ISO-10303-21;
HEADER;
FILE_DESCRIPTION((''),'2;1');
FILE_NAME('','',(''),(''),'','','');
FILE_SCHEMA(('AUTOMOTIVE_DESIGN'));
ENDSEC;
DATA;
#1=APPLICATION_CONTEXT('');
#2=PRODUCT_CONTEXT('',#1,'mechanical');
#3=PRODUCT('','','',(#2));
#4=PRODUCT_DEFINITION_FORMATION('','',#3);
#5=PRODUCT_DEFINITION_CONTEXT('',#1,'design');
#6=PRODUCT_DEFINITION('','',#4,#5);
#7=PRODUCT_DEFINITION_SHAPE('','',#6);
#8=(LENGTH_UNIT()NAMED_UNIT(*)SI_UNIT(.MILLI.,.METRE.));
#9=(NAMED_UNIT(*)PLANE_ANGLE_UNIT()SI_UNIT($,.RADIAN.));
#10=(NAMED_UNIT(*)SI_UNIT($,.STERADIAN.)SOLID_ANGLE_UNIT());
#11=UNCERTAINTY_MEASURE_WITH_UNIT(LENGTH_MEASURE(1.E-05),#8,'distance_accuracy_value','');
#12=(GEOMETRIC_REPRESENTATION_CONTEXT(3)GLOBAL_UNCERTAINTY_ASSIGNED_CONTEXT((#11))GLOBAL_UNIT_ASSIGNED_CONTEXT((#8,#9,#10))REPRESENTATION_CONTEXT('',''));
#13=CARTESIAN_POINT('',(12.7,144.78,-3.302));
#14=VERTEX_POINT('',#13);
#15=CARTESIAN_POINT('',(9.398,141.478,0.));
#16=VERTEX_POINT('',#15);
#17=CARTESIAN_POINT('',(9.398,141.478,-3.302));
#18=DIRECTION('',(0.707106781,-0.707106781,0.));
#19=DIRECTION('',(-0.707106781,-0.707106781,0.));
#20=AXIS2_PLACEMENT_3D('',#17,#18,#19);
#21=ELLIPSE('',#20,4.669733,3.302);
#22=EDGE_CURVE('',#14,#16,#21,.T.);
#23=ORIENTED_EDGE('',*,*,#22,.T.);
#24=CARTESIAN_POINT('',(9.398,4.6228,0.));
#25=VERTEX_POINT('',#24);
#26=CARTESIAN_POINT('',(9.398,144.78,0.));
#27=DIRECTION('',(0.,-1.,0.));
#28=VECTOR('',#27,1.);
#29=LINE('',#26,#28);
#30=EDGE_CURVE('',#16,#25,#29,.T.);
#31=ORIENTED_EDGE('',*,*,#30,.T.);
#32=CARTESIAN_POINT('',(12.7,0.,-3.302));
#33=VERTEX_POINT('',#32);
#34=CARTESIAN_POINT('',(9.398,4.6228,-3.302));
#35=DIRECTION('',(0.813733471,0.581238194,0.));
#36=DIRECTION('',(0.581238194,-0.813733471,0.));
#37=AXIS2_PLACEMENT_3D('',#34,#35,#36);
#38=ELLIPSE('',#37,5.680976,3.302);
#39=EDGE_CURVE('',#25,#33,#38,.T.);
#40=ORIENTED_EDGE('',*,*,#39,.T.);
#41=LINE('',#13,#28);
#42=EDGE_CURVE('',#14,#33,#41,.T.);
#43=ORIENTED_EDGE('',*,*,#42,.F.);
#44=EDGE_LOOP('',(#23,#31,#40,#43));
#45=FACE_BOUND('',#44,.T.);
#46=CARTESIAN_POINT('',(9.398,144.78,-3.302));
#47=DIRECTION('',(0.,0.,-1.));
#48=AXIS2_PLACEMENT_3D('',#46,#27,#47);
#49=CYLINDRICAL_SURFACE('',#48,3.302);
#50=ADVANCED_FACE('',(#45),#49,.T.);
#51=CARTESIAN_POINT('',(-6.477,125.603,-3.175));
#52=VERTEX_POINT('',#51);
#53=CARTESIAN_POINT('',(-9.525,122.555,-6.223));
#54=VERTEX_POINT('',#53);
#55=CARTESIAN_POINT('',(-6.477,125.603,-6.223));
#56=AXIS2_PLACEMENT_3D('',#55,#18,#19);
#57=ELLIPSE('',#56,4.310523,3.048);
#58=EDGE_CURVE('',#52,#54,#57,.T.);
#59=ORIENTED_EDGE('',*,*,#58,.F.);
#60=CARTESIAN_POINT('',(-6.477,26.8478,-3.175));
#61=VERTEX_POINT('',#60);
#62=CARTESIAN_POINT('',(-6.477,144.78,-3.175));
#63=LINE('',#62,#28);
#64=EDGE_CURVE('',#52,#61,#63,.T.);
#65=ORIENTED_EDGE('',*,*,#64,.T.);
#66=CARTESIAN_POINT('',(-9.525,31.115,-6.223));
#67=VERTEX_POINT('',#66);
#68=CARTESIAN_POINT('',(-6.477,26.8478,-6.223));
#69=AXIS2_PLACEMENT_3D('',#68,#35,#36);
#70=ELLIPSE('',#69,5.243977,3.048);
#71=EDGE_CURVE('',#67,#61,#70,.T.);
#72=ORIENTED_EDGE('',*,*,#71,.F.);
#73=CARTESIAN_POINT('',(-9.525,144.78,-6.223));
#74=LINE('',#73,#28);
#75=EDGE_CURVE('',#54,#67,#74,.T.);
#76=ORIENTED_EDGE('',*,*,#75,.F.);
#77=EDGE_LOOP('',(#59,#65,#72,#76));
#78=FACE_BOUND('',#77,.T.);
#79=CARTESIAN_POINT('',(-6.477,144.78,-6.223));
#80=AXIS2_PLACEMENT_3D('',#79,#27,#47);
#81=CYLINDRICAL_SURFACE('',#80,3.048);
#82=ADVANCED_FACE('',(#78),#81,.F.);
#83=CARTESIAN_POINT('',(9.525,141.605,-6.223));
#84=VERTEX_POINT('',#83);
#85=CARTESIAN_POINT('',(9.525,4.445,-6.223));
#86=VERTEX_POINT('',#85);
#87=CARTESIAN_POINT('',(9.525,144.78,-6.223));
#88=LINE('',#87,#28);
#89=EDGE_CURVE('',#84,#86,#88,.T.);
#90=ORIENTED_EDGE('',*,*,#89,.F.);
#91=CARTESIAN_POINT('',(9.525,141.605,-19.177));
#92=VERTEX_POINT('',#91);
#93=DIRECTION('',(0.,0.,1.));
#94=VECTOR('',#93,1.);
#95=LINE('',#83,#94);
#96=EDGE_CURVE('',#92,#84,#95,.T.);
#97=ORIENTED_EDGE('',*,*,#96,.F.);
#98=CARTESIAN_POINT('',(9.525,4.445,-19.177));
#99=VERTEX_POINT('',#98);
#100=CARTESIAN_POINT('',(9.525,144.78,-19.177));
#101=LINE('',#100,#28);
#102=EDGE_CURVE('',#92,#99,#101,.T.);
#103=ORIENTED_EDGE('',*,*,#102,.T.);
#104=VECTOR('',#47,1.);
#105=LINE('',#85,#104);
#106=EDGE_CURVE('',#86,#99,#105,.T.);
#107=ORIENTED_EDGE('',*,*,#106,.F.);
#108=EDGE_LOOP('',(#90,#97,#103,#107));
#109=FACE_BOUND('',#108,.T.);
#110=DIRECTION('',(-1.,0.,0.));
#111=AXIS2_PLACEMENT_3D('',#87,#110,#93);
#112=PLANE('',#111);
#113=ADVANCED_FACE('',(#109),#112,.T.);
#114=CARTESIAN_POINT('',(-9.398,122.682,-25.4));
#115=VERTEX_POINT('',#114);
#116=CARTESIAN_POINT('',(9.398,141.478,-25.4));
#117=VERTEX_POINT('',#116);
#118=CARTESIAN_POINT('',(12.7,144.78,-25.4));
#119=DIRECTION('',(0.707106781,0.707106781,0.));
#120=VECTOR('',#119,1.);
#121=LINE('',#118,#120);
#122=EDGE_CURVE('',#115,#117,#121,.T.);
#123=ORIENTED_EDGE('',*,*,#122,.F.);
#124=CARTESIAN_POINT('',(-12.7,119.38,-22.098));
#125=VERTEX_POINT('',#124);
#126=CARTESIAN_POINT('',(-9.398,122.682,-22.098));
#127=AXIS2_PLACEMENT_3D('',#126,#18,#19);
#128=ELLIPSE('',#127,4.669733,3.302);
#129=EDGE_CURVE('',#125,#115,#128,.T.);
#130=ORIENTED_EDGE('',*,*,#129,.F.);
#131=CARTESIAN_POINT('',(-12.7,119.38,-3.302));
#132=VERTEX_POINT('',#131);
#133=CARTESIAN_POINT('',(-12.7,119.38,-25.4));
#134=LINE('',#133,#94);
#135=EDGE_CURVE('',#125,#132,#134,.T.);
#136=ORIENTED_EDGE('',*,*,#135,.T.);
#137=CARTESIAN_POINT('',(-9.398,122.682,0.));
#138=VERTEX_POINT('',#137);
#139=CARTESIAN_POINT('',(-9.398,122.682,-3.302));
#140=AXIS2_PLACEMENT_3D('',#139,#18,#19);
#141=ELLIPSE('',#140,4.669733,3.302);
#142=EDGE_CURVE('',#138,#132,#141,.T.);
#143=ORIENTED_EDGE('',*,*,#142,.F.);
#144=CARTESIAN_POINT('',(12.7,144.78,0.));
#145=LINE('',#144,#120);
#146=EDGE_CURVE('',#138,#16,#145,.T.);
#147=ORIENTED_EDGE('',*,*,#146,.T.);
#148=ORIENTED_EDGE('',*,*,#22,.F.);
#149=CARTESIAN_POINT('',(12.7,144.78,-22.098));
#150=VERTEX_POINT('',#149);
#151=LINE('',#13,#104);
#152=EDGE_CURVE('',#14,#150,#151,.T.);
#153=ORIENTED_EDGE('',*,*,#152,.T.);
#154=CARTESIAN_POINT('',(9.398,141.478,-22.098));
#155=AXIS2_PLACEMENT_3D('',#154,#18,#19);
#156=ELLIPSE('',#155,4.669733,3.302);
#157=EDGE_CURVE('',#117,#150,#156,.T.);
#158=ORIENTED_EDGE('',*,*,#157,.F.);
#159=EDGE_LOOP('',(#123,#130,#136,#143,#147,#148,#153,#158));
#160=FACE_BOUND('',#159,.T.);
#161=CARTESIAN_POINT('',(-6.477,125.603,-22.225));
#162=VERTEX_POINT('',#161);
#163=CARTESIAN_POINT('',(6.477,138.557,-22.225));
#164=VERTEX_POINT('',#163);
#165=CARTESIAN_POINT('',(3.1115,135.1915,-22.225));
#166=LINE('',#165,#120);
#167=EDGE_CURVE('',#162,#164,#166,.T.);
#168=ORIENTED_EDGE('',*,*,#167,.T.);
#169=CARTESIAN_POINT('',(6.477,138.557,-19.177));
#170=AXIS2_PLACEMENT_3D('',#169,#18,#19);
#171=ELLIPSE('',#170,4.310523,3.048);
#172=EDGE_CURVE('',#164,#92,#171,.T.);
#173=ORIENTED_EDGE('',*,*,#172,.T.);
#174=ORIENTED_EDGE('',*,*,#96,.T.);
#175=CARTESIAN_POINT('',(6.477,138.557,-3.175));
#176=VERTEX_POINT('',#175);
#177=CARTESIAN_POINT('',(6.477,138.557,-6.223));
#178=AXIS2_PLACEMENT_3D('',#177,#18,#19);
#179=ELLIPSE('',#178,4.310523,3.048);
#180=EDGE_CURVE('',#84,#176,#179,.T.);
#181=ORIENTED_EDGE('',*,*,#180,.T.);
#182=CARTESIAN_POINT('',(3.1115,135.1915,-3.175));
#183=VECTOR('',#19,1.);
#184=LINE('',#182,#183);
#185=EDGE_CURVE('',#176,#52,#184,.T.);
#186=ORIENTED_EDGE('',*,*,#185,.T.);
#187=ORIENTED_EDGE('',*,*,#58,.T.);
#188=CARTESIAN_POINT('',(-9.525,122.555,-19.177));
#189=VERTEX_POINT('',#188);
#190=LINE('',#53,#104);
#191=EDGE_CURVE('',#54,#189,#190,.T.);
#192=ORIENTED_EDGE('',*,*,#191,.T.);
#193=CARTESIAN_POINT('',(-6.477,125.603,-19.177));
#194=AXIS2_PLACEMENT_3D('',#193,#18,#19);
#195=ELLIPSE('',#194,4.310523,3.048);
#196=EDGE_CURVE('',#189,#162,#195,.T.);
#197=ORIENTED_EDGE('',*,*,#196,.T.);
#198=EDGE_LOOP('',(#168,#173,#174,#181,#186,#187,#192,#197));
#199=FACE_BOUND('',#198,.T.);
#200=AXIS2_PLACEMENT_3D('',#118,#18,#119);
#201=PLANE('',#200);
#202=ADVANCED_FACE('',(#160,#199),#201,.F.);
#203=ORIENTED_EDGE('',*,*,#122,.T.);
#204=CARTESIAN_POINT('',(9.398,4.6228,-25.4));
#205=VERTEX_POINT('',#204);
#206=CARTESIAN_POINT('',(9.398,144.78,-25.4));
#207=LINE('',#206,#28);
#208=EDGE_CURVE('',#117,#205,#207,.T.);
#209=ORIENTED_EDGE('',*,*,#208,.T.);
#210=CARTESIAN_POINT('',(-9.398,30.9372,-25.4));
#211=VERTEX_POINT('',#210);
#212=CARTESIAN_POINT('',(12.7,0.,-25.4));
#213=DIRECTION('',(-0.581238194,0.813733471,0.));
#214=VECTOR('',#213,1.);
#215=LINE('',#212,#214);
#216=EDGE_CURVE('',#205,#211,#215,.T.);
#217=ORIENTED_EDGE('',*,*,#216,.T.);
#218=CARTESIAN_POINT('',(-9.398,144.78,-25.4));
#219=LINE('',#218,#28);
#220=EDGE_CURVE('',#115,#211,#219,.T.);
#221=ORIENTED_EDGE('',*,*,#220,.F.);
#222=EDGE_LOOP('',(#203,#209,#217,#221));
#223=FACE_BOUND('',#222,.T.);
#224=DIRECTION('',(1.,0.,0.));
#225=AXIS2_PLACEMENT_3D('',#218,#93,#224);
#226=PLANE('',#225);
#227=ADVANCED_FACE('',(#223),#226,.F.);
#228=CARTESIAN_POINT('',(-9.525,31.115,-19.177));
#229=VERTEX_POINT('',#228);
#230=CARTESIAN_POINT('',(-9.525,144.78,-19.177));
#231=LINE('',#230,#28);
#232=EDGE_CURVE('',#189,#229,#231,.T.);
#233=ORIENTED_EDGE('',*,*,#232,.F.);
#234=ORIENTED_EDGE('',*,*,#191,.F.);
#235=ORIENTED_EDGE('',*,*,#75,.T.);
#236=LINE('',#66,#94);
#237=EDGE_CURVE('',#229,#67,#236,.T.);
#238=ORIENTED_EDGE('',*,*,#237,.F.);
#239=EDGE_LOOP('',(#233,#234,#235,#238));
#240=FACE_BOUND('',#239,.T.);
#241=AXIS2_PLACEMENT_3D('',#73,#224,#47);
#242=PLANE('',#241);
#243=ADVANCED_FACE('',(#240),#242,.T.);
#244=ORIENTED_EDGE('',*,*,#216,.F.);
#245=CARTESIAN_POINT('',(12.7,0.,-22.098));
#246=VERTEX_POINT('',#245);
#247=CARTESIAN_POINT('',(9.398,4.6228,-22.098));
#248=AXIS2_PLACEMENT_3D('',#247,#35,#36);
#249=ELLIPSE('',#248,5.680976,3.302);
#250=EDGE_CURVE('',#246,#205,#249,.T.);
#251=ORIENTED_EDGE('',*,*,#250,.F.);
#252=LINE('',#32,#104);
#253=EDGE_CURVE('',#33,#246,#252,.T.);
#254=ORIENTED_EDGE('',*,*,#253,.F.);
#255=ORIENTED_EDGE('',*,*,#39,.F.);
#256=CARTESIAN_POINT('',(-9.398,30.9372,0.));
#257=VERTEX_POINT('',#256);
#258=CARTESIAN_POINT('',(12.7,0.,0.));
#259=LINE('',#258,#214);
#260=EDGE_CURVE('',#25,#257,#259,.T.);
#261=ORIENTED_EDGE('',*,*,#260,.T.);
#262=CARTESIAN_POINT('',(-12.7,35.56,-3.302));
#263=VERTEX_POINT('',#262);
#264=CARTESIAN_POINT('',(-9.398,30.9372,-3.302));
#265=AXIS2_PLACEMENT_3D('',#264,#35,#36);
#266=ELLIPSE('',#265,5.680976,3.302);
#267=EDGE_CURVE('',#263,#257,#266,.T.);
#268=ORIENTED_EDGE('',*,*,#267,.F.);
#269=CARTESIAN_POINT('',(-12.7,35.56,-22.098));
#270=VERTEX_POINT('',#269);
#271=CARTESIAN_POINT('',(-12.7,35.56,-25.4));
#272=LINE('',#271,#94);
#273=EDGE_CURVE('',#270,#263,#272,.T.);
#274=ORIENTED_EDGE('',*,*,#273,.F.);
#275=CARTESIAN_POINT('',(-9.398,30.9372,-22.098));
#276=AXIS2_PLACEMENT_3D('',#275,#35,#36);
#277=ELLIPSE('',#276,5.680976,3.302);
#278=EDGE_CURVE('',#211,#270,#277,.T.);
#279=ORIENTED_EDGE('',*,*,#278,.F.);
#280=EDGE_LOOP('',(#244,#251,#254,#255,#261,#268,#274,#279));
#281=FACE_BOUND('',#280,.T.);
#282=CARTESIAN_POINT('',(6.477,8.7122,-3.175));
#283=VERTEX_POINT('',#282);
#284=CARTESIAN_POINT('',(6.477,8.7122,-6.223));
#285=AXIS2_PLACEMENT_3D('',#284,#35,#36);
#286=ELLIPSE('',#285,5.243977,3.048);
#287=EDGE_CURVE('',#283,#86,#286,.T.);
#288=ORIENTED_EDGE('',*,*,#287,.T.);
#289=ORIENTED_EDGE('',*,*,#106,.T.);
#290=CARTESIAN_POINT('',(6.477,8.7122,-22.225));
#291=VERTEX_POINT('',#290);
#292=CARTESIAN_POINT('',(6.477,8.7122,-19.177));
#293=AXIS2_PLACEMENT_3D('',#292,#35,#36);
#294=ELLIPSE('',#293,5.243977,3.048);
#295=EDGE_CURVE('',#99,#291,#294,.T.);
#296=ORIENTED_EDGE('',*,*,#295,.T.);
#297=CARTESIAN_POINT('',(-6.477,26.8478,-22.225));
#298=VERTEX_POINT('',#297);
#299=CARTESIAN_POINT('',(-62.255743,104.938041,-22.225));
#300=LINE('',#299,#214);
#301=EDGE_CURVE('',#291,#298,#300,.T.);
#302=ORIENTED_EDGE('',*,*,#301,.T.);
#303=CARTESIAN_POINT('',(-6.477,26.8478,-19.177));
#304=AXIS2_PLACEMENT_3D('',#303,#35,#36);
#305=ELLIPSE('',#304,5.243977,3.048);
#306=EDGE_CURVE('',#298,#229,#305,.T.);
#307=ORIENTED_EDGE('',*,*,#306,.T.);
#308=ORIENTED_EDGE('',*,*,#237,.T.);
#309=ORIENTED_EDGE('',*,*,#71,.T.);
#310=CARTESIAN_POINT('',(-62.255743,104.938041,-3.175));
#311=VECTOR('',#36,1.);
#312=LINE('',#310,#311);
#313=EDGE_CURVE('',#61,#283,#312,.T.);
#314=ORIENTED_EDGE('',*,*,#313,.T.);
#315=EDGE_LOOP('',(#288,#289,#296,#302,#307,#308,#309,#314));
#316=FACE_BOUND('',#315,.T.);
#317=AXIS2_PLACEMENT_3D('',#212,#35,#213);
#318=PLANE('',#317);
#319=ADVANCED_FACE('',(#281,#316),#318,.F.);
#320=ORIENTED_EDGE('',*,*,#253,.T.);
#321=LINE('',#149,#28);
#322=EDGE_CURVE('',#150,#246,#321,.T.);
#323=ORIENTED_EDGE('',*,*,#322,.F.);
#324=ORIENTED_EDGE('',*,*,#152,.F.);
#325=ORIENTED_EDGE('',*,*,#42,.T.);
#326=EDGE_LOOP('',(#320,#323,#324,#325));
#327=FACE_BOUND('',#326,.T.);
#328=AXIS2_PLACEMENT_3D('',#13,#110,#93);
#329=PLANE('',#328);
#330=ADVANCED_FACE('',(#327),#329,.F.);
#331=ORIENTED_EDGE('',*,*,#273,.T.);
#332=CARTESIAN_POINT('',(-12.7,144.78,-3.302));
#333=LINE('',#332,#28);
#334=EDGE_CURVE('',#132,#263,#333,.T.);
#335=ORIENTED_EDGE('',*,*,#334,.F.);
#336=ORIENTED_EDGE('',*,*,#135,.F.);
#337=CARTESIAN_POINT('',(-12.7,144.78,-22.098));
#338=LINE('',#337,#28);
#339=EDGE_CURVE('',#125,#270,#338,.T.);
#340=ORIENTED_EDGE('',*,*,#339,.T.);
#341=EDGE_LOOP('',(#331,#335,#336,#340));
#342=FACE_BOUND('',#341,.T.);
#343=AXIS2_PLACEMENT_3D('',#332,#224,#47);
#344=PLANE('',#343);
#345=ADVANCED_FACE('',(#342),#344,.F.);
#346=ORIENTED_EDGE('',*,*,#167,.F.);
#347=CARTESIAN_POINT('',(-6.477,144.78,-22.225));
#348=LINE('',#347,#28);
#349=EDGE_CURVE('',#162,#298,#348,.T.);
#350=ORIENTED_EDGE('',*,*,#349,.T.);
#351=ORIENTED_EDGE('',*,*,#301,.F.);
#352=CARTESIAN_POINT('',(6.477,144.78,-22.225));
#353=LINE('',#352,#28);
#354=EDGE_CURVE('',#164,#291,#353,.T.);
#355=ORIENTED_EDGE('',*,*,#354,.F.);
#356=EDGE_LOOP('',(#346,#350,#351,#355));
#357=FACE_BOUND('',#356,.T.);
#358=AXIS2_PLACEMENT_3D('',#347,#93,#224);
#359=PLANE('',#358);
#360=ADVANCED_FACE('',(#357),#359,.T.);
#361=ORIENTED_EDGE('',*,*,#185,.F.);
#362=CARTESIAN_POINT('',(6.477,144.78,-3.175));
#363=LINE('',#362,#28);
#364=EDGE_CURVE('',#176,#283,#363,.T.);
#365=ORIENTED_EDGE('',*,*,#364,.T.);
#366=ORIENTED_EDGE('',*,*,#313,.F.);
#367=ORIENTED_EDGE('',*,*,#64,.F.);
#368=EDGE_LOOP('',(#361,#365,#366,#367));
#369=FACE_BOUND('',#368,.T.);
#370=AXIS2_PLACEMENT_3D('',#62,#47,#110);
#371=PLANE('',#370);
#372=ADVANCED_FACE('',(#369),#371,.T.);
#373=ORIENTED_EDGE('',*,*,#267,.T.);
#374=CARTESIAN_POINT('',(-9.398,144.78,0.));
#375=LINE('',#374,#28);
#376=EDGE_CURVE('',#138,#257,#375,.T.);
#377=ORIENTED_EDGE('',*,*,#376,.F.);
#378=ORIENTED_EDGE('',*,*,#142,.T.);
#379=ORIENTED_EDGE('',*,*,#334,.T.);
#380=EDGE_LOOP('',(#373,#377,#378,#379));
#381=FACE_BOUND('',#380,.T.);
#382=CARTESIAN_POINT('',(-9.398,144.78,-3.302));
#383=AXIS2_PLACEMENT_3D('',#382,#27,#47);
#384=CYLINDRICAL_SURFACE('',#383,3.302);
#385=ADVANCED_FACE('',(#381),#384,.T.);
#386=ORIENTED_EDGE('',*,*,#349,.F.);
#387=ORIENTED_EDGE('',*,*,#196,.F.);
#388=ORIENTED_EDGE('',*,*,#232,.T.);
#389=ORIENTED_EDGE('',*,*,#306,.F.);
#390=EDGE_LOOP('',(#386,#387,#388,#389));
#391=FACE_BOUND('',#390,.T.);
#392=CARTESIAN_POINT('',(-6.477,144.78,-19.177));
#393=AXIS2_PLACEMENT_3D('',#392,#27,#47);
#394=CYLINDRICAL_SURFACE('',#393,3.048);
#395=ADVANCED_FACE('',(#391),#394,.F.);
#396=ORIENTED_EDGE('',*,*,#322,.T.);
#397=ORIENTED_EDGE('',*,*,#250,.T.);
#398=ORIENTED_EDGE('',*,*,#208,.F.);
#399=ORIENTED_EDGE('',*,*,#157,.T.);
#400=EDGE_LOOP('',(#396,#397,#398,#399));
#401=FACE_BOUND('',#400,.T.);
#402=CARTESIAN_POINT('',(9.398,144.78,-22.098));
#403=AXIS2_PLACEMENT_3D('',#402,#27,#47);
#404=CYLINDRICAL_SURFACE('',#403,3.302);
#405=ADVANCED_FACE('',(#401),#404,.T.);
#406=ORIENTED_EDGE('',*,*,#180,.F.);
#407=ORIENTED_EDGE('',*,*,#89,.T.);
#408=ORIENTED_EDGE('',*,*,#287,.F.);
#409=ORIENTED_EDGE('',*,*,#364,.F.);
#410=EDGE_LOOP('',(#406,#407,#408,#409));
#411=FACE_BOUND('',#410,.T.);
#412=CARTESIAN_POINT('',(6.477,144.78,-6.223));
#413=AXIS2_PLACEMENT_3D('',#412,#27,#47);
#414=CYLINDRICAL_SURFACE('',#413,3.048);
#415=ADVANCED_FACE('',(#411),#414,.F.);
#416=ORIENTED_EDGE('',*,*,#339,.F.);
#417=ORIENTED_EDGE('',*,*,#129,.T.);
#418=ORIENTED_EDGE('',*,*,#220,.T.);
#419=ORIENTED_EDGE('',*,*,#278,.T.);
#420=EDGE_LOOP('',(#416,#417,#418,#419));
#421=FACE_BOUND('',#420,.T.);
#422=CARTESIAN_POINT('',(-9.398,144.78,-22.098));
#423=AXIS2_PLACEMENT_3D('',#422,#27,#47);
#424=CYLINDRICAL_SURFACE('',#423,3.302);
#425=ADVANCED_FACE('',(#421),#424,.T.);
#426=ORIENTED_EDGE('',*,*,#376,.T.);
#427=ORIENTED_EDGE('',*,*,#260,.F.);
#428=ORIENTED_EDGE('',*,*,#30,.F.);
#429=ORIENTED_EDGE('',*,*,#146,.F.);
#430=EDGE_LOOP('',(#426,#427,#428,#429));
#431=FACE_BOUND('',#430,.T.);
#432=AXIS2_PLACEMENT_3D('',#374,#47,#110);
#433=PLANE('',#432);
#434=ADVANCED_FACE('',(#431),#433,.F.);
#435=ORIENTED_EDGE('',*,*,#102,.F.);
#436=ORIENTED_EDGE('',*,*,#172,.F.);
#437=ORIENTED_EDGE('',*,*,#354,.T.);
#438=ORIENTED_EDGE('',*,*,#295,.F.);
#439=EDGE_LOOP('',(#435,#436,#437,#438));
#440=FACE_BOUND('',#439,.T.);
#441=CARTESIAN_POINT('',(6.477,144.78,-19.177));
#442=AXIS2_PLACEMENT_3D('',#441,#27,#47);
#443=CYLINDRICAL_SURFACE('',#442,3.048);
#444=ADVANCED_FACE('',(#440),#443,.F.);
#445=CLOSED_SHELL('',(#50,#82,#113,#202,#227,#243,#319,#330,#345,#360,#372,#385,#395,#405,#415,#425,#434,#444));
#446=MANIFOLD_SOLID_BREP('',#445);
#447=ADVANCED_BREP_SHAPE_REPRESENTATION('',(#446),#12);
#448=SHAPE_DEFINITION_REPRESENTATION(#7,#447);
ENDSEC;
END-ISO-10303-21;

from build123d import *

# Parameters (mm, degrees)
BOSS_EXTRUDE1_DEPTH = 144.78
CUT_EXTRUDE1_DEPTH  = 148.538803032


with BuildPart() as part:
    # Sketch1 → Boss-Extrude1 (new body)
    with BuildSketch(Plane(origin=(0, 0, 0), x_dir=(1, 0, 0), z_dir=(0, 1, 0))):
        with BuildLine():
            Line((-9.398, 0), (9.398, 0))
            ThreePointArc((9.398, 0), (11.732866591, 0.967133409), (12.7, 3.302))
            Line((12.7, 3.302), (12.7, 22.098))
            ThreePointArc((12.7, 22.098), (11.732866591, 24.432866591), (9.398, 25.4))
            Line((9.398, 25.4), (-9.398, 25.4))
            ThreePointArc((-9.398, 25.4), (-11.732866591, 24.432866591), (-12.7, 22.098))
            Line((-12.7, 22.098), (-12.7, 3.302))
            ThreePointArc((-12.7, 3.302), (-11.732866591, 0.967133409), (-9.398, 0))
        make_face()
        with BuildLine():
            Line((-6.477, 3.175), (6.477, 3.175))
            ThreePointArc((6.477, 3.175), (8.632261469, 4.067738531), (9.525, 6.223))
            Line((9.525, 6.223), (9.525, 19.177))
            ThreePointArc((9.525, 19.177), (8.632261469, 21.332261469), (6.477, 22.225))
            Line((6.477, 22.225), (-6.477, 22.225))
            ThreePointArc((-6.477, 22.225), (-8.632261469, 21.332261469), (-9.525, 19.177))
            Line((-9.525, 19.177), (-9.525, 6.223))
            ThreePointArc((-9.525, 6.223), (-8.632261469, 4.067738531), (-6.477, 3.175))
        make_face(mode=Mode.SUBTRACT)
    extrude(amount=BOSS_EXTRUDE1_DEPTH)

    # Sketch2 → Cut-Extrude1 (cut, through all)
    with BuildSketch(Plane.XY):
        Polygon((12.7, 144.78), (-12.7, 119.38), (-12.7, 144.78), align=None)
        Polygon((12.7, 0), (-12.7, 35.56), (-12.7, 0), align=None)
    extrude(amount=-CUT_EXTRUDE1_DEPTH, mode=Mode.SUBTRACT)


solid = part.part
